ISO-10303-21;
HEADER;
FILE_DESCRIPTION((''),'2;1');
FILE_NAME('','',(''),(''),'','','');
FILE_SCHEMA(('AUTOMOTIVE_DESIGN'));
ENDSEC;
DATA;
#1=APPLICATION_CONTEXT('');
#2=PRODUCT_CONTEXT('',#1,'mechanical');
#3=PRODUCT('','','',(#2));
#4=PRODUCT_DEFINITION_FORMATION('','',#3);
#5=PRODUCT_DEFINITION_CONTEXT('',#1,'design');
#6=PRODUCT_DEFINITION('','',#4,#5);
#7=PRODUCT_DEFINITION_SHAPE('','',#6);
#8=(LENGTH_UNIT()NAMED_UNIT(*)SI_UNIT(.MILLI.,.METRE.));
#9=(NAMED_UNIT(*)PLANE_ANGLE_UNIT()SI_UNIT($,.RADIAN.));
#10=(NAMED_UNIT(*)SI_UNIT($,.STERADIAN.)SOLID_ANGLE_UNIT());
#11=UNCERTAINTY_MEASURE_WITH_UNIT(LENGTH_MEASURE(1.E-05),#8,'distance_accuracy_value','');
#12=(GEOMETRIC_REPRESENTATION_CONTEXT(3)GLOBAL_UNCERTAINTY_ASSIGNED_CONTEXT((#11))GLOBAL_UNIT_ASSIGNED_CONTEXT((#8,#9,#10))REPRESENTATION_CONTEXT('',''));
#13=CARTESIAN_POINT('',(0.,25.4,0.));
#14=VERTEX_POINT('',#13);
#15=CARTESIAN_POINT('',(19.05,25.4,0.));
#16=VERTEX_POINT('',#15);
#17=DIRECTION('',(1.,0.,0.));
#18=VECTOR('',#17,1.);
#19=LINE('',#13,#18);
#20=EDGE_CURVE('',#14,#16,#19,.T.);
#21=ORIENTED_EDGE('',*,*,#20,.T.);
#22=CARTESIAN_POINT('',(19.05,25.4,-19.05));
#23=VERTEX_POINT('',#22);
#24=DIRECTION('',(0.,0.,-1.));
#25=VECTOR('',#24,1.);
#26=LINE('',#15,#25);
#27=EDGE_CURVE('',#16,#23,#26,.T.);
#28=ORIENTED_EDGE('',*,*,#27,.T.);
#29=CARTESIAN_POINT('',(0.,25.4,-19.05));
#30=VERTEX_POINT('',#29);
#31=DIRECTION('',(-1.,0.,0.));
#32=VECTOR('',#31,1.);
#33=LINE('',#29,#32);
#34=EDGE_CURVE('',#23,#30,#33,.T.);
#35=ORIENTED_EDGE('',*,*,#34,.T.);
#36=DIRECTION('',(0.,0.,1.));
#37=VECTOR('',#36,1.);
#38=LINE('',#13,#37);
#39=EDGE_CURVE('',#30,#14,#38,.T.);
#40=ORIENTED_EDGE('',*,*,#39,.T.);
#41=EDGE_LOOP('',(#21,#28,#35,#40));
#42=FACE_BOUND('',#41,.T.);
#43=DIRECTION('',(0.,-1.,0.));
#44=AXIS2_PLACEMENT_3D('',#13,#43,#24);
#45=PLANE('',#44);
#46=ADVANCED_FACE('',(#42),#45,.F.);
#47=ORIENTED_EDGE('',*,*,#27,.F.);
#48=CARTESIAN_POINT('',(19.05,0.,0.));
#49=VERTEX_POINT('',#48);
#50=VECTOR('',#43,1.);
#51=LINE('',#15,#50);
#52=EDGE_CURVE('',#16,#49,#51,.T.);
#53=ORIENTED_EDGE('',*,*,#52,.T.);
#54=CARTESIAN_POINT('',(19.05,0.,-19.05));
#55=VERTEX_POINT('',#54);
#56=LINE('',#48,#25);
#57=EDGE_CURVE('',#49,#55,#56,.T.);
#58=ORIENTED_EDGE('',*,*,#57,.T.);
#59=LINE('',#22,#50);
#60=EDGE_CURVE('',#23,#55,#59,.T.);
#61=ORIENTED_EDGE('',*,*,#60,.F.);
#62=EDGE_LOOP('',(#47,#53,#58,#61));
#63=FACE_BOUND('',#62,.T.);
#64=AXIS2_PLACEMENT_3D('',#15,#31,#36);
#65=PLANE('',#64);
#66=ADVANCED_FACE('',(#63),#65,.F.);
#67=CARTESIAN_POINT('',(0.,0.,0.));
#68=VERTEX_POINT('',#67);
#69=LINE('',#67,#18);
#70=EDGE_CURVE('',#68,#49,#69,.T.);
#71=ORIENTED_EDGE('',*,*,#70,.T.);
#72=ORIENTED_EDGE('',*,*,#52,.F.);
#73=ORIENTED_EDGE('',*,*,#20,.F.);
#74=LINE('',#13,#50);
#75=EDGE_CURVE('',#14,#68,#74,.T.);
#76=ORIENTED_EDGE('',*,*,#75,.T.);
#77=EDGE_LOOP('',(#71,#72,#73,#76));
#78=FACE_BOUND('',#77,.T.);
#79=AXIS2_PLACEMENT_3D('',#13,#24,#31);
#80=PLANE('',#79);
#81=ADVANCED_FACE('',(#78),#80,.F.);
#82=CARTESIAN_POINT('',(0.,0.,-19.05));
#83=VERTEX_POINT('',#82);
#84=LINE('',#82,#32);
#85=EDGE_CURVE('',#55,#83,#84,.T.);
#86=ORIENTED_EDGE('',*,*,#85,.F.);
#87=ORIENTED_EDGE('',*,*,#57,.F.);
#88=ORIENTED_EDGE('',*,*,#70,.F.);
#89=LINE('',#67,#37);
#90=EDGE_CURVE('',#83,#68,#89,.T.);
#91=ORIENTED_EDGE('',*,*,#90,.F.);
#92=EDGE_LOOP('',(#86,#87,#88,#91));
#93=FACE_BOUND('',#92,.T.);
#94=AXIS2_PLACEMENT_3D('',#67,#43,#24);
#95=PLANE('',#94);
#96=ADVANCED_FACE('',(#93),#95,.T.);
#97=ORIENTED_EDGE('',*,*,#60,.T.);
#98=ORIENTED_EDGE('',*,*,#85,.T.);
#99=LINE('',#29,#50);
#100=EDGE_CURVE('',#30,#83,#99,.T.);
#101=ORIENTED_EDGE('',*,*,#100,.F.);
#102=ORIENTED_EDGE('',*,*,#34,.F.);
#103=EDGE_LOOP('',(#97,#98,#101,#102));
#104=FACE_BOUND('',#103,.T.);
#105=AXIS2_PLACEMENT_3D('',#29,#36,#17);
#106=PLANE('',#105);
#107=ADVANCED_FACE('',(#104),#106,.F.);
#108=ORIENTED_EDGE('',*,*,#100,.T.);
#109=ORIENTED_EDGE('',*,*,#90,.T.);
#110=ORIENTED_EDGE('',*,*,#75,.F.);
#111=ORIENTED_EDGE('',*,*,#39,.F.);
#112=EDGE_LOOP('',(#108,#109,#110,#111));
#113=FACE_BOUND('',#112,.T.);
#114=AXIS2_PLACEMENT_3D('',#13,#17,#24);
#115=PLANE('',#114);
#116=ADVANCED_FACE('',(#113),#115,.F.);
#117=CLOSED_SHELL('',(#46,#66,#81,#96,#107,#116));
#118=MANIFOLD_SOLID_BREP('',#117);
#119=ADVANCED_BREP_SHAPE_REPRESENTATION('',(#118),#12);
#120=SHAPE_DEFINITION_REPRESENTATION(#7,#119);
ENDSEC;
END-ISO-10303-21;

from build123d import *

# Parameters (mm, degrees)
SKETCH1_W           = 19.05
SKETCH1_H           = 19.05
BOSS_EXTRUDE1_DEPTH = 25.4


with BuildPart() as part:
    # Sketch1 → Boss-Extrude1 (new body)
    with BuildSketch(Plane(origin=(0, 0, 0), x_dir=(1, 0, 0), z_dir=(0, 1, 0))):
        with Locations((9.525, 9.525)):
            Rectangle(SKETCH1_W, SKETCH1_H)
    extrude(amount=BOSS_EXTRUDE1_DEPTH)


solid = part.part
